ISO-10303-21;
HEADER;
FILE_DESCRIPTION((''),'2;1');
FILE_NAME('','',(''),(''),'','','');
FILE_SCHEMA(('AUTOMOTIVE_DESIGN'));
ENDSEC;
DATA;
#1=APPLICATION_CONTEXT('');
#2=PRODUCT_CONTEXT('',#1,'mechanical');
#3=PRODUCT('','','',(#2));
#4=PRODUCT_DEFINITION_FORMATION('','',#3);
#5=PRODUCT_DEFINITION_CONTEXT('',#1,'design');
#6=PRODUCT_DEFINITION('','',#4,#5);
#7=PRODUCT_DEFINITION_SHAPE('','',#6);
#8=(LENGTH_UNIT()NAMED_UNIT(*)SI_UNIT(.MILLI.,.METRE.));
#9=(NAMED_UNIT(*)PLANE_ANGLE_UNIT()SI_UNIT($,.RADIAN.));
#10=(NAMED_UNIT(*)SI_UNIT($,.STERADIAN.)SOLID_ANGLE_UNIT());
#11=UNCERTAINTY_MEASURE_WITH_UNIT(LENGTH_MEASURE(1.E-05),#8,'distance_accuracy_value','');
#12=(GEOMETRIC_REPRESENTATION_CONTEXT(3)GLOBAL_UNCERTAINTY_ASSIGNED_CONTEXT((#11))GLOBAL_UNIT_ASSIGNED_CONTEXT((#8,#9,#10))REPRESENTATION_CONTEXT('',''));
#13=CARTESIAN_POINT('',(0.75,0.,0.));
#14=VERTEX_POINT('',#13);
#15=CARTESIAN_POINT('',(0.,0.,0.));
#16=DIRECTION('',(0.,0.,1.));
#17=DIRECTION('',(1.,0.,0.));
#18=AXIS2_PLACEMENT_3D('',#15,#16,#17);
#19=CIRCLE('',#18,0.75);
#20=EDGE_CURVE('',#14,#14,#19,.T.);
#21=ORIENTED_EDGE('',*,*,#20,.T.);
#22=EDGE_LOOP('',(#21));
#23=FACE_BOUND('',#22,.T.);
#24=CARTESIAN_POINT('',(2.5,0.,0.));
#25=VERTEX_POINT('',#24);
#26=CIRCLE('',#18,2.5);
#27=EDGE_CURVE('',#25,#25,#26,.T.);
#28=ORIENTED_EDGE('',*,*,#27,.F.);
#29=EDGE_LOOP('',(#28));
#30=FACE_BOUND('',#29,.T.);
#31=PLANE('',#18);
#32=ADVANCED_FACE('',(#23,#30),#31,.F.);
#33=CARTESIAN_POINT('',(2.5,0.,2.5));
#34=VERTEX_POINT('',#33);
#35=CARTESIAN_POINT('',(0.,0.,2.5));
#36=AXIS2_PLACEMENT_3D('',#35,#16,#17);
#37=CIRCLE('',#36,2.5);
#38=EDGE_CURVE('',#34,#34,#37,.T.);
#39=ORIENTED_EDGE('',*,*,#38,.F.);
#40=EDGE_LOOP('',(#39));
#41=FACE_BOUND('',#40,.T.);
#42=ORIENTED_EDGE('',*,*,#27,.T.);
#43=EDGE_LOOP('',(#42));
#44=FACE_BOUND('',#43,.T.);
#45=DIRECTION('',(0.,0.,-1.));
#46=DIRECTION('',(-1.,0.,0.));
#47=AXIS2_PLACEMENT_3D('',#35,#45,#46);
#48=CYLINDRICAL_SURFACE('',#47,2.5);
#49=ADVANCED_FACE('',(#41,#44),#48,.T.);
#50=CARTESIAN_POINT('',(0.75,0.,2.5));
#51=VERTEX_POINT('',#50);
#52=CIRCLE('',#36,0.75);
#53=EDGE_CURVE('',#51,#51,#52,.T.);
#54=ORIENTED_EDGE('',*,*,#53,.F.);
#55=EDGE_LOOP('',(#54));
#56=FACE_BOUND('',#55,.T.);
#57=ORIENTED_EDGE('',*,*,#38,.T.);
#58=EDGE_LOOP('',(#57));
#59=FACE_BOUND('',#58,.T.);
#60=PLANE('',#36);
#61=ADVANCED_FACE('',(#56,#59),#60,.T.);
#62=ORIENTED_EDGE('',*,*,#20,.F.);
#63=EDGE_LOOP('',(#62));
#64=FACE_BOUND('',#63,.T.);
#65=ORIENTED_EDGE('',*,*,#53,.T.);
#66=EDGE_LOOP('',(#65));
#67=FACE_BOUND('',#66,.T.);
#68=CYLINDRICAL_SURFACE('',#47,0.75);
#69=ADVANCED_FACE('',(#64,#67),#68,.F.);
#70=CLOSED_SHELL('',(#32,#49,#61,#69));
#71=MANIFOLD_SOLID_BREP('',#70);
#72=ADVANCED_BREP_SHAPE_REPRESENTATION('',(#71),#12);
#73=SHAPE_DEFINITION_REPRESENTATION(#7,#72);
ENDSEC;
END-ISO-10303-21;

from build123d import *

# Parameters (mm, degrees)
SKETCH_1_R      = 2.5
SKETCH_1_R_2    = 0.75
EXTRUDE_1_DEPTH = 2.5


with BuildPart() as part:
    # 草图1 → 凸台-拉伸1 (new body)
    with BuildSketch(Plane.XY):
        Circle(SKETCH_1_R)
        Circle(SKETCH_1_R_2, mode=Mode.SUBTRACT)
    extrude(amount=EXTRUDE_1_DEPTH)


solid = part.part
